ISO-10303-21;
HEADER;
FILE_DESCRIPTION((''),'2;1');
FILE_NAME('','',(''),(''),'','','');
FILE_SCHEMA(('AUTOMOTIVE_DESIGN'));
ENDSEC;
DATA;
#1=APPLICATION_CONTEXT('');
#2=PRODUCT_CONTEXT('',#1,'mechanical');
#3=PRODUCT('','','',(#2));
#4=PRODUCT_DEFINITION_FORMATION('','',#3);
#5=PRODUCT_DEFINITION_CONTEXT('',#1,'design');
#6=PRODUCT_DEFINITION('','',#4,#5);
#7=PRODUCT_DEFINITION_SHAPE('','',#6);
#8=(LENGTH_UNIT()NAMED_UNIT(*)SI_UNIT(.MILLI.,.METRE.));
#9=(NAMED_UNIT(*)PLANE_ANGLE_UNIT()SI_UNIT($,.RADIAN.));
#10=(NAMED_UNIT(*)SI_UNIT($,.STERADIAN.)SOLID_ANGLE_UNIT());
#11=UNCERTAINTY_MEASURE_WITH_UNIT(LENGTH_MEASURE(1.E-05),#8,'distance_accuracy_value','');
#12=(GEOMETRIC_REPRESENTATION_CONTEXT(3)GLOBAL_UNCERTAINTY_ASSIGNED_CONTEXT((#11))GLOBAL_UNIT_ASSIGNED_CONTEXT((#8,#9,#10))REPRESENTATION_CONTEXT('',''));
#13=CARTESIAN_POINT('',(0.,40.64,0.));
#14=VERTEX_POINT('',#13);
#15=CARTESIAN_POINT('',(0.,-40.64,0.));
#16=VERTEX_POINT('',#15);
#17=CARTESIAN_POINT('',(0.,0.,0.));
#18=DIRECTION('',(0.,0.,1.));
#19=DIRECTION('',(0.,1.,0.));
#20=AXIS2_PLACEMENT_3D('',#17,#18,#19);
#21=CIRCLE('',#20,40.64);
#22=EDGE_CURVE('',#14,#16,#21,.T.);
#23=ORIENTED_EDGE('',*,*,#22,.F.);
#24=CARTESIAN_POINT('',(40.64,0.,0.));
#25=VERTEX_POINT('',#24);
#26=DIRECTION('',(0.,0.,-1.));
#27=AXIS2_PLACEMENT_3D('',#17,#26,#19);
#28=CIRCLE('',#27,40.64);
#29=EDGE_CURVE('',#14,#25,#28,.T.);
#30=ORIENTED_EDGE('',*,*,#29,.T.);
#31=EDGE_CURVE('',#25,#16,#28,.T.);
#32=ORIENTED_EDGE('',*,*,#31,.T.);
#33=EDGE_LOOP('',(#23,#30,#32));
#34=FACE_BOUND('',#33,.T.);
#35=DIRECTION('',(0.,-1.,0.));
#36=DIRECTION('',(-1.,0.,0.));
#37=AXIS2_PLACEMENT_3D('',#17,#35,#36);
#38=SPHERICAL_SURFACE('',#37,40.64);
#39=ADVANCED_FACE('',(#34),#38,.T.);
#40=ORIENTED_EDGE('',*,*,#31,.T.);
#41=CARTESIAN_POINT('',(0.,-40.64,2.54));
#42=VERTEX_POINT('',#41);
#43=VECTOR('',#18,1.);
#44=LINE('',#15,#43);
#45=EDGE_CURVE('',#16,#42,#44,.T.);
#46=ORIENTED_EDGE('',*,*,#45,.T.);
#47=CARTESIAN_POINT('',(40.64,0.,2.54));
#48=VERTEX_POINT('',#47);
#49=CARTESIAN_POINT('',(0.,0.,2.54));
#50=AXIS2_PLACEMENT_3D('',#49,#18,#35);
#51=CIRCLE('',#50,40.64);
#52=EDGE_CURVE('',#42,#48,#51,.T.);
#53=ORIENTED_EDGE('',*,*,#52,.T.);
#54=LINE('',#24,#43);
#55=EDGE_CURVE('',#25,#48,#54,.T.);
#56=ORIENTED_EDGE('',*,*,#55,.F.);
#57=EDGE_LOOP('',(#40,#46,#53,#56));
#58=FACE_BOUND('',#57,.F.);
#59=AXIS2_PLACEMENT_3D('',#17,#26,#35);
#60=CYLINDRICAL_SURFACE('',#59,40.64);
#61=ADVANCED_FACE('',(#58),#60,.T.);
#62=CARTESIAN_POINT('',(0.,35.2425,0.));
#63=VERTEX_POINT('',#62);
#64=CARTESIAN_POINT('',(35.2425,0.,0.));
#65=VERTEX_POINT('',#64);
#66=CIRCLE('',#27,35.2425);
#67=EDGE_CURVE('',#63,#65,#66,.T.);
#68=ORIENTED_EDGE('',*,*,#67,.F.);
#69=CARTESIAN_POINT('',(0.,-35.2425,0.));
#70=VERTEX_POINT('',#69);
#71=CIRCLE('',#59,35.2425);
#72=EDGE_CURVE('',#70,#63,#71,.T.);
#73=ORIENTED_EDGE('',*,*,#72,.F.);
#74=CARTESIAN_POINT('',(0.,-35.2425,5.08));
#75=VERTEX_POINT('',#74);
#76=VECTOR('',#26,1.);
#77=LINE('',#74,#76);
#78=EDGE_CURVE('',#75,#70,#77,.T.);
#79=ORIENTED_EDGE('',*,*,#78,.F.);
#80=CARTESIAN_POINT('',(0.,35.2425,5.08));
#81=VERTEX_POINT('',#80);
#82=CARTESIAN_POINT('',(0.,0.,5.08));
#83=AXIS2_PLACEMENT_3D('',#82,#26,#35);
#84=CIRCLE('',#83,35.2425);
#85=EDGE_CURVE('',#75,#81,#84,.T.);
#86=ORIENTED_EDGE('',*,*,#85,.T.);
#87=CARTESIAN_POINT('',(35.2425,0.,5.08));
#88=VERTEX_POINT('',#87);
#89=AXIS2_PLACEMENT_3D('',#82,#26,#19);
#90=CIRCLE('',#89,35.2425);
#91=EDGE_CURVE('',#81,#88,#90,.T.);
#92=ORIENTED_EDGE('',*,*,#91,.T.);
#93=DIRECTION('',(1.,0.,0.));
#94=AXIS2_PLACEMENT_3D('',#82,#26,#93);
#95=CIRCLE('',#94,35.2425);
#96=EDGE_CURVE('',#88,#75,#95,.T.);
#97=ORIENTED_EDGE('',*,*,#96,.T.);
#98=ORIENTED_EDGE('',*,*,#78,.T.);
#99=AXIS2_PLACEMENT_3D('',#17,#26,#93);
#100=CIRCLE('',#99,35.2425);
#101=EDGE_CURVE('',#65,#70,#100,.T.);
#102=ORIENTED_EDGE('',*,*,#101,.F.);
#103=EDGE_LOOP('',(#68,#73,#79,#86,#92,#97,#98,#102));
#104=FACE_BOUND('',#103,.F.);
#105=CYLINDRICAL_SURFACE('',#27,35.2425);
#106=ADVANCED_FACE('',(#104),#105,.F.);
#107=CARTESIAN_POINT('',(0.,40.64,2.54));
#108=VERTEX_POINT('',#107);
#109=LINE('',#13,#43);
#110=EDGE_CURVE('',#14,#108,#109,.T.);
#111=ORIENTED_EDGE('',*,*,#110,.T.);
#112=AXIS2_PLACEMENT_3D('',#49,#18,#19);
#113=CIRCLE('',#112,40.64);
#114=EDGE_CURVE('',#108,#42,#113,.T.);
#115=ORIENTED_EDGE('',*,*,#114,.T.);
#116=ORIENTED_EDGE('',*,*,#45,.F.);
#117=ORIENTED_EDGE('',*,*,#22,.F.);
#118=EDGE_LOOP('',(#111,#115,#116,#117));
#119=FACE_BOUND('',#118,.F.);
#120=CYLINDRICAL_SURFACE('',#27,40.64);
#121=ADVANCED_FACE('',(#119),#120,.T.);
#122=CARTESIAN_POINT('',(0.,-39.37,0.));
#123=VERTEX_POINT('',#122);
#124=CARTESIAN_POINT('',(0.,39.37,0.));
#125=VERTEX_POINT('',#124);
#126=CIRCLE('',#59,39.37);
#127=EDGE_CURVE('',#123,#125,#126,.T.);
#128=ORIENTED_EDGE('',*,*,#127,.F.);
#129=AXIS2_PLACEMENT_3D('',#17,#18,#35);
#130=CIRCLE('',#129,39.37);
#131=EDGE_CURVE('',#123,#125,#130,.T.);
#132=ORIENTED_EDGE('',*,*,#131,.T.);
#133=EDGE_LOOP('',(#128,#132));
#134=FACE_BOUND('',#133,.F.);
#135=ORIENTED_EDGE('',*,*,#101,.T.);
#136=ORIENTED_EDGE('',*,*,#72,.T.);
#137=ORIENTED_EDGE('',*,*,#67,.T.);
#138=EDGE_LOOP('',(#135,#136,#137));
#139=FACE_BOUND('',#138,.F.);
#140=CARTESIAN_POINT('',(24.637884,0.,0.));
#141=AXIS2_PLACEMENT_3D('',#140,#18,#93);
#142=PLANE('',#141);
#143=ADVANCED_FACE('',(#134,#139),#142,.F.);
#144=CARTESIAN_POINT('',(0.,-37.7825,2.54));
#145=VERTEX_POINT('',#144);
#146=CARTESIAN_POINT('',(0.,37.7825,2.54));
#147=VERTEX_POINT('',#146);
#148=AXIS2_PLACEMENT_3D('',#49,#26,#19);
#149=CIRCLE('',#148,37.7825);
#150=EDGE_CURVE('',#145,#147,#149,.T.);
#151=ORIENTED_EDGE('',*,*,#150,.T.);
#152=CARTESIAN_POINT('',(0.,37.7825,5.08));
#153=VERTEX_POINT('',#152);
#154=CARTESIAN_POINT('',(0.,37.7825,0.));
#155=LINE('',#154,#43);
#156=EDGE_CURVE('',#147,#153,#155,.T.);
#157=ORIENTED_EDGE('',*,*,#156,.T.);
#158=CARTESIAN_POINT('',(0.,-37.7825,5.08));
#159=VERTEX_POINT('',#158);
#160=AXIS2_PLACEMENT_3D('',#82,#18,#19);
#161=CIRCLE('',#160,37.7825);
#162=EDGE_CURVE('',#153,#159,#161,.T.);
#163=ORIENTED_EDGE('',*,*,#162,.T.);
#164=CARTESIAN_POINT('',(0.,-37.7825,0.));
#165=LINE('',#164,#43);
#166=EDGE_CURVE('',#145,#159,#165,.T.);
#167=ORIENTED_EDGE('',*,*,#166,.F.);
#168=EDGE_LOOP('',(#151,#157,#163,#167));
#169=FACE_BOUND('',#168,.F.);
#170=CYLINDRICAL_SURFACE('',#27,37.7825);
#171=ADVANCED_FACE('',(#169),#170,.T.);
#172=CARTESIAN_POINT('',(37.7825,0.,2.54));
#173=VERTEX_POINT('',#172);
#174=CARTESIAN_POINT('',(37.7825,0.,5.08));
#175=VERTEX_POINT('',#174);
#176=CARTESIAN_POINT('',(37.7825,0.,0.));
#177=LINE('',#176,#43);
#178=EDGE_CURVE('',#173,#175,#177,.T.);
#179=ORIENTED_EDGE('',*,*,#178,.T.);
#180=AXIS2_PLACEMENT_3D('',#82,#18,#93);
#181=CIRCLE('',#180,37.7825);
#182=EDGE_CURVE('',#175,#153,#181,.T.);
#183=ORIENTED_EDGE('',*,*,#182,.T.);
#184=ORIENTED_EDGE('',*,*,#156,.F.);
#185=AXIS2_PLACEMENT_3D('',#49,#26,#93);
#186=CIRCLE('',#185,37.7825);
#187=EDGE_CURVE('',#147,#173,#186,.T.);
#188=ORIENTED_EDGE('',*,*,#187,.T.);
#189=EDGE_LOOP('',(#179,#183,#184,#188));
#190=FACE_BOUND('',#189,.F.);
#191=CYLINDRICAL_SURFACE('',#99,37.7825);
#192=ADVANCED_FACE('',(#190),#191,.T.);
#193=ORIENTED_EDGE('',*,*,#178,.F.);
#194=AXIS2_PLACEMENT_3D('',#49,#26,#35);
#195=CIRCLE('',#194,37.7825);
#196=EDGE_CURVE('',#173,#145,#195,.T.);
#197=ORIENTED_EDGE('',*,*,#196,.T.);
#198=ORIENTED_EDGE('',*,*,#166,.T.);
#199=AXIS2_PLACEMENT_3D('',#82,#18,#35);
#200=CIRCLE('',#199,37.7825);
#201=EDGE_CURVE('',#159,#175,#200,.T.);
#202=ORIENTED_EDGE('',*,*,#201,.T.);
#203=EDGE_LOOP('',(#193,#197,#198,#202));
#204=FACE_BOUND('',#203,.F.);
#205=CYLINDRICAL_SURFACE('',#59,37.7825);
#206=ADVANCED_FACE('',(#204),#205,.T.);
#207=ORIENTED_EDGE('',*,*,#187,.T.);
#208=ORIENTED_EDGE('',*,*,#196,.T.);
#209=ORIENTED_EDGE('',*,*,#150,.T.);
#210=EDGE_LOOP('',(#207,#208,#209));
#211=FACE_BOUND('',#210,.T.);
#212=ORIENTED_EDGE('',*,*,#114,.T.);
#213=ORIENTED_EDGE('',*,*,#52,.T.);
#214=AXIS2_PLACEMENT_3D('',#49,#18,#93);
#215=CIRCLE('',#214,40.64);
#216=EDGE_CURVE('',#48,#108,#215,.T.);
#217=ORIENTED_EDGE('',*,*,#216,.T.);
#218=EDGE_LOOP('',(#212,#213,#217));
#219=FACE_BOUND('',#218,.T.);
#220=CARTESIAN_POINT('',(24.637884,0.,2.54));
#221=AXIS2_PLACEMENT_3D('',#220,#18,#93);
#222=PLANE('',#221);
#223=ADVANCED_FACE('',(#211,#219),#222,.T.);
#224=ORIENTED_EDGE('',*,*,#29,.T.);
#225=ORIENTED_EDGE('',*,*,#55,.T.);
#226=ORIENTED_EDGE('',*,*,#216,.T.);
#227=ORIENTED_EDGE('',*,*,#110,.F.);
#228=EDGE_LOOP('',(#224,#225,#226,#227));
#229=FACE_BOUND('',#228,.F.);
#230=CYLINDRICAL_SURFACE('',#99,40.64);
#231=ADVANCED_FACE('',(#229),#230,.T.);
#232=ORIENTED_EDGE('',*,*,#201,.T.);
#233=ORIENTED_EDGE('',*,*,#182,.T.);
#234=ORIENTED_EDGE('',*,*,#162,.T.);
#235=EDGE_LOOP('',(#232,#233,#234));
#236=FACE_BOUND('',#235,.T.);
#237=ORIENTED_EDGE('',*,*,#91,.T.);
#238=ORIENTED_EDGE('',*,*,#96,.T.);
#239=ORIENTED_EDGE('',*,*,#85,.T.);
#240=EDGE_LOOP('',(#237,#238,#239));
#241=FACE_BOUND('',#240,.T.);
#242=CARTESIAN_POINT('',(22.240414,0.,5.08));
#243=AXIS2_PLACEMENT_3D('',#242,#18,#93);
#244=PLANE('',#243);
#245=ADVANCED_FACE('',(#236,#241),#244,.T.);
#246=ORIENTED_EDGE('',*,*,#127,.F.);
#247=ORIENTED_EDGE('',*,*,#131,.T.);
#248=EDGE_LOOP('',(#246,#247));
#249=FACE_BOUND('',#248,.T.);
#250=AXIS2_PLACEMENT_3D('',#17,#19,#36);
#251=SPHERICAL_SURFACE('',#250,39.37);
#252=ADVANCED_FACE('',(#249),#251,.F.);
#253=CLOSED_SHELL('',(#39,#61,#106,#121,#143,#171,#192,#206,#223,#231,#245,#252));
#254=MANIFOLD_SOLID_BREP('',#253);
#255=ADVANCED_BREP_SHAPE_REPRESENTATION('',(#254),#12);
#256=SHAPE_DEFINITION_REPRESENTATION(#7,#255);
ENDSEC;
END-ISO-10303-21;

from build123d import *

# Parameters (mm, degrees)
F1_ANGLE = 180
F2_DEPTH = 2.54
F3_DEPTH = 5.08


with BuildPart() as f1:
    # F0 (on Top) → F1 (revolve)
    with BuildSketch(Plane.XY):
        with BuildLine():
            ThreePointArc((0, -39.37), (-39.37, 0), (0, 39.37))
            Line((0, 39.37), (0, 40.64))
            ThreePointArc((0, 40.64), (-40.64, 0), (0, -40.64))
            Line((0, -40.64), (0, -39.37))
        make_face()
    revolve(axis=Axis((0, 7.1776621044, 0), (0, -1, 0)), revolution_arc=F1_ANGLE)

    # F0 (on Top) → F2 (join)
    with BuildSketch(Plane.XY):
        with BuildLine():
            Line((0, 40.64), (0, 39.37))
            ThreePointArc((0, 39.37), (27.8387939753, 27.8387939753), (39.37, 0))
            ThreePointArc((39.37, 0), (27.8387939753, -27.8387939753), (0, -39.37))
            Line((0, -39.37), (0, -40.64))
            ThreePointArc((0, -40.64), (28.7368195874, -28.7368195874), (40.64, 0))
            ThreePointArc((40.64, 0), (28.7368195874, 28.7368195874), (0, 40.64))
        make_face()
        with BuildLine():
            ThreePointArc((0, 35.2425), (24.920210736, 24.920210736), (35.2425, 0))
            ThreePointArc((35.2425, 0), (24.920210736, -24.920210736), (0, -35.2425))
            Line((0, -35.2425), (0, -37.7825))
            ThreePointArc((0, -37.7825), (26.7162619602, -26.7162619602), (37.7825, 0))
            ThreePointArc((37.7825, 0), (26.7162619602, 26.7162619602), (0, 37.7825))
            Line((0, 37.7825), (0, 35.2425))
        make_face()
        with BuildLine():
            ThreePointArc((0, -39.37), (-39.37, 0), (0, 39.37))
            Line((0, 39.37), (0, 40.64))
            ThreePointArc((0, 40.64), (-40.64, 0), (0, -40.64))
            Line((0, -40.64), (0, -39.37))
        make_face()
        with BuildLine():
            ThreePointArc((0, -35.2425), (-35.2425, 0), (0, 35.2425))
            Line((0, 35.2425), (0, 37.7825))
            ThreePointArc((0, 37.7825), (-37.7825, 0), (0, -37.7825))
            Line((0, -37.7825), (0, -35.2425))
        make_face()
        with BuildLine():
            ThreePointArc((0, -37.7825), (-37.7825, 0), (0, 37.7825))
            Line((0, 37.7825), (0, 39.37))
            ThreePointArc((0, 39.37), (-39.37, 0), (0, -39.37))
            Line((0, -39.37), (0, -37.7825))
        make_face()
        with BuildLine():
            Line((0, 39.37), (0, 37.7825))
            ThreePointArc((0, 37.7825), (26.7162619602, 26.7162619602), (37.7825, 0))
            ThreePointArc((37.7825, 0), (26.7162619602, -26.7162619602), (0, -37.7825))
            Line((0, -37.7825), (0, -39.37))
            ThreePointArc((0, -39.37), (27.8387939753, -27.8387939753), (39.37, 0))
            ThreePointArc((39.37, 0), (27.8387939753, 27.8387939753), (0, 39.37))
        make_face()
    extrude(amount=F2_DEPTH)

    # F0 (on Top) → F3 (join)
    with BuildSketch(Plane.XY):
        with BuildLine():
            ThreePointArc((0, 35.2425), (24.920210736, 24.920210736), (35.2425, 0))
            ThreePointArc((35.2425, 0), (24.920210736, -24.920210736), (0, -35.2425))
            Line((0, -35.2425), (0, -37.7825))
            ThreePointArc((0, -37.7825), (26.7162619602, -26.7162619602), (37.7825, 0))
            ThreePointArc((37.7825, 0), (26.7162619602, 26.7162619602), (0, 37.7825))
            Line((0, 37.7825), (0, 35.2425))
        make_face()
        with BuildLine():
            ThreePointArc((0, -35.2425), (-35.2425, 0), (0, 35.2425))
            Line((0, 35.2425), (0, 37.7825))
            ThreePointArc((0, 37.7825), (-37.7825, 0), (0, -37.7825))
            Line((0, -37.7825), (0, -35.2425))
        make_face()
    extrude(amount=F3_DEPTH)


solid = f1.part
